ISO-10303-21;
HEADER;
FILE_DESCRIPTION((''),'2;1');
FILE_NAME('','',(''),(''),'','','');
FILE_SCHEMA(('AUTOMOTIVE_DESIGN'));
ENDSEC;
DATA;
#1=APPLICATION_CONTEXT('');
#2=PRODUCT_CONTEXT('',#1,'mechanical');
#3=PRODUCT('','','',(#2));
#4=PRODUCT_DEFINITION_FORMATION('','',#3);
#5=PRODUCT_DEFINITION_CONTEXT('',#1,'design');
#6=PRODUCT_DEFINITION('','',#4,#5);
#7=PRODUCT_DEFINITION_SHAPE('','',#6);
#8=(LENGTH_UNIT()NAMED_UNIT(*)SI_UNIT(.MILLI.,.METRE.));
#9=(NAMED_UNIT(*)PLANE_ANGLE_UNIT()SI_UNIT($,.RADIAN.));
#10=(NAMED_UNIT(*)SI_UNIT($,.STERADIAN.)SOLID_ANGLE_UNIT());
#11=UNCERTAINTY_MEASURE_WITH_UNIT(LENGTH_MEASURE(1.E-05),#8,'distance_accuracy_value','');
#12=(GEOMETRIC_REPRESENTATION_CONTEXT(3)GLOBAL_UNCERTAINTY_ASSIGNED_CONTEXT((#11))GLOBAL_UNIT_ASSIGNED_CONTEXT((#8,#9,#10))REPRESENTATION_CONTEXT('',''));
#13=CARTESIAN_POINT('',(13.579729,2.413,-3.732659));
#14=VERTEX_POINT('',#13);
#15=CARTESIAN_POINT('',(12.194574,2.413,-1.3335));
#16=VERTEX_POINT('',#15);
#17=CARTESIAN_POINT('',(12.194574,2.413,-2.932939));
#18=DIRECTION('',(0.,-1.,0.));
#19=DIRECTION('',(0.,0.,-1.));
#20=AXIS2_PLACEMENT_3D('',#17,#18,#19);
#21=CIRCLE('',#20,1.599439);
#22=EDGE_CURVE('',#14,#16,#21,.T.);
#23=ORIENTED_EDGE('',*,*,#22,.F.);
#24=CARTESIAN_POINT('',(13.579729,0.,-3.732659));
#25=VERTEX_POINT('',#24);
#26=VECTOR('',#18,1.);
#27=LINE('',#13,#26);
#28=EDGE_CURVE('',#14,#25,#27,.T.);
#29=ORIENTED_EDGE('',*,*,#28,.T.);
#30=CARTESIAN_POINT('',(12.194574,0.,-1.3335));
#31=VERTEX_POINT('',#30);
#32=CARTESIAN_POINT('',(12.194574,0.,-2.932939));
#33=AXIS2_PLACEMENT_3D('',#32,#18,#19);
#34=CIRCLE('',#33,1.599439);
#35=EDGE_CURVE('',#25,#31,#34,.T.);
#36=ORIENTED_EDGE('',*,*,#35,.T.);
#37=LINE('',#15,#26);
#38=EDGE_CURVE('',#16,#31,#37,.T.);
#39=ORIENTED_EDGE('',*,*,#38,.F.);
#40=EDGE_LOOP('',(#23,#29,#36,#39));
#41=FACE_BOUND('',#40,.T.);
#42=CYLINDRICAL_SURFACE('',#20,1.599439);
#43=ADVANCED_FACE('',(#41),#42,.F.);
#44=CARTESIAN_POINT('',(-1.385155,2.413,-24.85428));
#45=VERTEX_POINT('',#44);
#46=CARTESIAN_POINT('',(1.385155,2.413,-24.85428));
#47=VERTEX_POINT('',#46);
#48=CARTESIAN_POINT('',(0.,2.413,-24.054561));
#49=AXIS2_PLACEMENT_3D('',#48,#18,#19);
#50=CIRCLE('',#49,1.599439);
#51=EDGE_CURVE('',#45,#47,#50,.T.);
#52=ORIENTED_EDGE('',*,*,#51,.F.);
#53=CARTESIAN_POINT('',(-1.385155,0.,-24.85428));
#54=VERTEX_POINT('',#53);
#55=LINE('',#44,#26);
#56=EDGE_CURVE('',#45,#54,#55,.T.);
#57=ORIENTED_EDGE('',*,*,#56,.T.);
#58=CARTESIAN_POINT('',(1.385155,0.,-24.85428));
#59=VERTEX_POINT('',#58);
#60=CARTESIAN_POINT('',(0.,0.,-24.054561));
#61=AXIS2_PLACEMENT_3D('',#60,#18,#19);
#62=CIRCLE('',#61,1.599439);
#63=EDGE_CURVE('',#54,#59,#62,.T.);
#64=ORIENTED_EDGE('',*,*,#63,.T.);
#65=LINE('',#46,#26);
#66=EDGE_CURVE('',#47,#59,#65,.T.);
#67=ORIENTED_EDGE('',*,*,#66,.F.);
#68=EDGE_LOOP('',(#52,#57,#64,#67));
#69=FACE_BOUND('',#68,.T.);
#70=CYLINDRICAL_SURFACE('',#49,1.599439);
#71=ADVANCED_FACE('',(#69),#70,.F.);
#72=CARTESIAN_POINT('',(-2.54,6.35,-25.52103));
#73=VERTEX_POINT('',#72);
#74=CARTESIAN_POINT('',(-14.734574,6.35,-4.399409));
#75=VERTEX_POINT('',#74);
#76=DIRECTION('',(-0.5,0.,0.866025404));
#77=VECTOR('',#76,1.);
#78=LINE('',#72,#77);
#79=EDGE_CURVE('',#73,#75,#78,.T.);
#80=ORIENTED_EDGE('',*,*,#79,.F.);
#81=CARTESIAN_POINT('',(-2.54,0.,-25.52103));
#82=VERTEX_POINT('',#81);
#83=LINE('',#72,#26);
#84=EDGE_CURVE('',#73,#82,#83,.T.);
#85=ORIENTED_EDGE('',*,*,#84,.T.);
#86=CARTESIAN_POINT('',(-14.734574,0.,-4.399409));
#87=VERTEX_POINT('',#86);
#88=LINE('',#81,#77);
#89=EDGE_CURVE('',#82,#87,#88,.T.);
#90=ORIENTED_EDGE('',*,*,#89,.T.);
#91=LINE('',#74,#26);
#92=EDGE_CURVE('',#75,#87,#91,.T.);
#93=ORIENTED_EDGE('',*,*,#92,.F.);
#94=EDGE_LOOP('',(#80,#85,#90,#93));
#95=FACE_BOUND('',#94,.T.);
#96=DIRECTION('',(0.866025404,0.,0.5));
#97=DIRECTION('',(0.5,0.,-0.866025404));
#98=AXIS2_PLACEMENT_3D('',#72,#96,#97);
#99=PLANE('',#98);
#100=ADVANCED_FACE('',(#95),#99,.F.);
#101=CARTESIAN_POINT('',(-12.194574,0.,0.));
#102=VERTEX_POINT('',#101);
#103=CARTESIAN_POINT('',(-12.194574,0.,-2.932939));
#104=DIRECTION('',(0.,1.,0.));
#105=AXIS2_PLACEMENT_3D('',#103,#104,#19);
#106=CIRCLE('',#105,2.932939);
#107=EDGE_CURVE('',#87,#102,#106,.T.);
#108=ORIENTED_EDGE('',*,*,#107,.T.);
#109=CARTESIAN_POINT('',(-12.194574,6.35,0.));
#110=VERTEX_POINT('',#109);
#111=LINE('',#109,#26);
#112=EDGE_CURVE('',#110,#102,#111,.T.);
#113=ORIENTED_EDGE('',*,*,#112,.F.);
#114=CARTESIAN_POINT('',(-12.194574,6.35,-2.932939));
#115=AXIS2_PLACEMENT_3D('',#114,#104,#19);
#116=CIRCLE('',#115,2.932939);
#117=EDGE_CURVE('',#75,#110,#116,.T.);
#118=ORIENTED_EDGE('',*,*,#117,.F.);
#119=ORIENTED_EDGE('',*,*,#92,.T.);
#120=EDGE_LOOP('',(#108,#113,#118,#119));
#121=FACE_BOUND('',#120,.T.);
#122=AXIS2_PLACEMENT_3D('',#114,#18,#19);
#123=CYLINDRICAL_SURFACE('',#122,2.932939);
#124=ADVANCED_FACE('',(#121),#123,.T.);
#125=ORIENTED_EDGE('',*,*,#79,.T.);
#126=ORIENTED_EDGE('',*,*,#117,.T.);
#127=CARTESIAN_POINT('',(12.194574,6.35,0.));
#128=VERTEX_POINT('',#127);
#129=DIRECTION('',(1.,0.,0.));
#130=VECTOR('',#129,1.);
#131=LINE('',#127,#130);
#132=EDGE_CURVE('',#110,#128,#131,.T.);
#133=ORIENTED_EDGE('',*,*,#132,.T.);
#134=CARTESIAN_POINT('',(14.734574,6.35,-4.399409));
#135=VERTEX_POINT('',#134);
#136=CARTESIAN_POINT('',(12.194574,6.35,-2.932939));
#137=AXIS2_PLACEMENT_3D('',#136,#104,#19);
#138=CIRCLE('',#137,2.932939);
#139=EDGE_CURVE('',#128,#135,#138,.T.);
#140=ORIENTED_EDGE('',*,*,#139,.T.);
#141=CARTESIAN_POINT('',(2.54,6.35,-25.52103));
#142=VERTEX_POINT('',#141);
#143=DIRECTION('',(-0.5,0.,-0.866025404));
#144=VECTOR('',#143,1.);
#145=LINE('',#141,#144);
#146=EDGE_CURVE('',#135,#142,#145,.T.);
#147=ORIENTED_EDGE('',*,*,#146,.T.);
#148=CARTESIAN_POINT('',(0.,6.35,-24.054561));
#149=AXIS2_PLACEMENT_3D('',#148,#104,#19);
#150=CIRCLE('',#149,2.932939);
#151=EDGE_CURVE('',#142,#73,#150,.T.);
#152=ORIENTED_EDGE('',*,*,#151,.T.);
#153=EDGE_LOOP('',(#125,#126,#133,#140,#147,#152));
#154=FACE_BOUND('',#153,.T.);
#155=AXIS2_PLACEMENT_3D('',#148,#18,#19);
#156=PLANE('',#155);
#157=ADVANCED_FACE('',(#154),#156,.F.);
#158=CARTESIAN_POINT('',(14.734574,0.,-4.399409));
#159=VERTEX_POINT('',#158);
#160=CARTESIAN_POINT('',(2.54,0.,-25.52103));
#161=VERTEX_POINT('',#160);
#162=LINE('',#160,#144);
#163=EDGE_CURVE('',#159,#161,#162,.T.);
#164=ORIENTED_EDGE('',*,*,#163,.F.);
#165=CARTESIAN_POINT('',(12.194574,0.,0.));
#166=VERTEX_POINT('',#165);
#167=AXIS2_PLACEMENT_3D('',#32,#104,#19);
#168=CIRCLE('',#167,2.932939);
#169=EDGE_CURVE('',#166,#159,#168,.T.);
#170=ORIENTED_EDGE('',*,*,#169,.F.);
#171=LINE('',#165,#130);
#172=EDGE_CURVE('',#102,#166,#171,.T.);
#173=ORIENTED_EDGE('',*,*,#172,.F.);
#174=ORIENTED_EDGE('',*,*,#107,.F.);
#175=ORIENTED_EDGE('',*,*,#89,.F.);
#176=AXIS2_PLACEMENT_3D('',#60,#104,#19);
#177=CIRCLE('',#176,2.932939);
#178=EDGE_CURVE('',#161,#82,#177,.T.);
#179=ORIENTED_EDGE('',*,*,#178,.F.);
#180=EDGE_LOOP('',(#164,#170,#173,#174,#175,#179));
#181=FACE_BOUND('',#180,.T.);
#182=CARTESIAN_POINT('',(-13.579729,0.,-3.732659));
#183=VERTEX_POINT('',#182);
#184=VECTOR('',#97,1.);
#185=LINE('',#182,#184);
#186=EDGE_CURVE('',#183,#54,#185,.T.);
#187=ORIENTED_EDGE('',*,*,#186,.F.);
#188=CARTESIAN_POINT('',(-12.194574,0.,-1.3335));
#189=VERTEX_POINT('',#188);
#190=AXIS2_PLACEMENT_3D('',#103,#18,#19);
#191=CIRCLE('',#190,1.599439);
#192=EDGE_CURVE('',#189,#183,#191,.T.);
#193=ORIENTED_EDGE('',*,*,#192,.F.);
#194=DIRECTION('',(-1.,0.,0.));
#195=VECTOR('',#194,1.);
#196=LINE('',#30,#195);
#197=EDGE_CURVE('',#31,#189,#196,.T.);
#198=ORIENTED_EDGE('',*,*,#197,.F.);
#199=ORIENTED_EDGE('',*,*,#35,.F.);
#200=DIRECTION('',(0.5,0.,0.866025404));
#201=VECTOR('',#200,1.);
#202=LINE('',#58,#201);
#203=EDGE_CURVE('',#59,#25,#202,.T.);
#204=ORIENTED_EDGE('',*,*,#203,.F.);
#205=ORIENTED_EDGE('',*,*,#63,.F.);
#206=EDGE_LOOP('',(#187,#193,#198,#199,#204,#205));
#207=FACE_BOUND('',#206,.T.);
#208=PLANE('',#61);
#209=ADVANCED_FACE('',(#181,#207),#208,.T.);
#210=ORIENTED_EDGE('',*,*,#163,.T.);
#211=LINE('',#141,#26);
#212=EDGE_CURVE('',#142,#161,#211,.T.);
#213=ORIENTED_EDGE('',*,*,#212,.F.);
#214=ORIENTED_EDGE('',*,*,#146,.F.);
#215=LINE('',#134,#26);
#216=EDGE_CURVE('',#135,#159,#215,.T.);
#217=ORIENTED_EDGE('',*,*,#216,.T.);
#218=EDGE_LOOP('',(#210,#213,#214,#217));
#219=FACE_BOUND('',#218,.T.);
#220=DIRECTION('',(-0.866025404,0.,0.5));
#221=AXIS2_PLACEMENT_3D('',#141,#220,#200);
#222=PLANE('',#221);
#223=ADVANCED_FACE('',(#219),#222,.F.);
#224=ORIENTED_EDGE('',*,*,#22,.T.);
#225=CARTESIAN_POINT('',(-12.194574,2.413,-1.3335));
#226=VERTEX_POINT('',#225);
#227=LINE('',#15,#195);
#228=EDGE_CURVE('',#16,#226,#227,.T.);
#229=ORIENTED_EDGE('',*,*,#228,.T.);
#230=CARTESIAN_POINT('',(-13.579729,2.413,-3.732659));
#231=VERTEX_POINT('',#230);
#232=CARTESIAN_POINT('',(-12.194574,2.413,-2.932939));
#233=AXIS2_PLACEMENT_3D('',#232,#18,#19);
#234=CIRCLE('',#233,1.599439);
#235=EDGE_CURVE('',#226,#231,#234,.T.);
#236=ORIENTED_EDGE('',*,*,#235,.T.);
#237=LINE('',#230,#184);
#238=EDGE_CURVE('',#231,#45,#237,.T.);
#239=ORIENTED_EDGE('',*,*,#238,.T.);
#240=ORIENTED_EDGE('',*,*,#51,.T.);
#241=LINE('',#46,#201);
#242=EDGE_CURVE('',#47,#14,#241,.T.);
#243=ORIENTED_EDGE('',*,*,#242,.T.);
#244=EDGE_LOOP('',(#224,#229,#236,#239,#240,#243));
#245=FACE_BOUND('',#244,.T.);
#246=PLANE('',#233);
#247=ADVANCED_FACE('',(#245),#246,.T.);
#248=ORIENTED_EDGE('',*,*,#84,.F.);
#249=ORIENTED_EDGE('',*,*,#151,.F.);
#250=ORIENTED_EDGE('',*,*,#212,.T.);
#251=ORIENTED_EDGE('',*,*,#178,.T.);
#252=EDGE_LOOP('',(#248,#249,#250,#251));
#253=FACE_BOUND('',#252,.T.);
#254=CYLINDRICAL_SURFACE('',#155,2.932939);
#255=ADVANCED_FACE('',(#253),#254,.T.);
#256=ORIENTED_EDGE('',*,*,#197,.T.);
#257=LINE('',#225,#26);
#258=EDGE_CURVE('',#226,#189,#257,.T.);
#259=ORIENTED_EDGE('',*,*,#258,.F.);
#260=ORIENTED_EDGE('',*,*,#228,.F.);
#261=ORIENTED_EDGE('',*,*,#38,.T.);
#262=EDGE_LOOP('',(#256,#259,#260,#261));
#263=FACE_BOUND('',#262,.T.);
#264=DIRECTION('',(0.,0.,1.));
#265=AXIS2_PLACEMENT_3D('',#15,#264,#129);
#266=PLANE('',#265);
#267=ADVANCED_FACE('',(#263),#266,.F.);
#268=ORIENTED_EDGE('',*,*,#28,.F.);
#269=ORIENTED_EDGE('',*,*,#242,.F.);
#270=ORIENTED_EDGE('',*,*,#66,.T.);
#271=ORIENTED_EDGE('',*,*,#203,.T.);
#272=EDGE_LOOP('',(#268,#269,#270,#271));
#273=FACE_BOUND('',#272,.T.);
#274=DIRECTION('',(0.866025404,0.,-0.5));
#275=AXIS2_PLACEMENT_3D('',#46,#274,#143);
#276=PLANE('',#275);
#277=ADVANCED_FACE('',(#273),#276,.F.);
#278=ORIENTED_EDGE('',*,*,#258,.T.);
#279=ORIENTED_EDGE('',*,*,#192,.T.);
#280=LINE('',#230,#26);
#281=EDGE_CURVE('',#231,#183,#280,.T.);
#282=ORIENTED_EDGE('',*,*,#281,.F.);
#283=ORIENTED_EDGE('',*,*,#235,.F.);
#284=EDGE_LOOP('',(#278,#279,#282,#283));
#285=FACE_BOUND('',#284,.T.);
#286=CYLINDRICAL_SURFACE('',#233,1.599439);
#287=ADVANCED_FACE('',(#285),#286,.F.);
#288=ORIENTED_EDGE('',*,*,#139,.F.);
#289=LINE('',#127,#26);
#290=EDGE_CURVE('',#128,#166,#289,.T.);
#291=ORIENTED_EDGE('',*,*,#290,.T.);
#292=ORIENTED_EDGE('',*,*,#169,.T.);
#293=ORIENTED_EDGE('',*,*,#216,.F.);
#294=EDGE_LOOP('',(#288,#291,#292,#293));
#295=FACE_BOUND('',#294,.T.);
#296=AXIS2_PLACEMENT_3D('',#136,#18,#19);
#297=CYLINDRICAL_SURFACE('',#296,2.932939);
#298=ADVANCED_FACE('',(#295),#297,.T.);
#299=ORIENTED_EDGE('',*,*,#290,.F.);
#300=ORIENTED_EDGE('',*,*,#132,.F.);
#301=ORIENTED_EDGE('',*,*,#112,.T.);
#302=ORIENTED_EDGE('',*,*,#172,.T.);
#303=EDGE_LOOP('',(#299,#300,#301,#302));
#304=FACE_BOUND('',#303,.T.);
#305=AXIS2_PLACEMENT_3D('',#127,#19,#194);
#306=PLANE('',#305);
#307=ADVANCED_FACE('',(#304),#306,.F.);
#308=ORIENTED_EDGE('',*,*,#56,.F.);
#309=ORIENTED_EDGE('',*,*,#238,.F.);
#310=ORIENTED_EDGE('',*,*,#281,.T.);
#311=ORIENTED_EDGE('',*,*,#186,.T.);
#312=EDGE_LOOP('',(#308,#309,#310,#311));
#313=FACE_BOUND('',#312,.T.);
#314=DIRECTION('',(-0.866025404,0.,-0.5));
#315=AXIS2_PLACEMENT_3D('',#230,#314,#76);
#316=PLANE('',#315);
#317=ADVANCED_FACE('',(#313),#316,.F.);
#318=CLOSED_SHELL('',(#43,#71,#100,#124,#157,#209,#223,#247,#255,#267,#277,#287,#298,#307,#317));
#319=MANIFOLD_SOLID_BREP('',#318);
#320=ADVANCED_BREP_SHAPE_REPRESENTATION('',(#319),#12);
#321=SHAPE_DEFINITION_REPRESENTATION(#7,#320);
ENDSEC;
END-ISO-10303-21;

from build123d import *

# Parameters (mm, degrees)
BOSS_EXTRUDE1_DEPTH = 6.35
CUT_EXTRUDE1_DEPTH  = 2.413


with BuildPart() as part:
    # Sketch1 → Boss-Extrude1 (new body)
    with BuildSketch(Plane(origin=(0, 0, 0), x_dir=(1, 0, 0), z_dir=(0, 1, 0))):
        with BuildLine():
            Line((2.54, 25.521030316), (14.734573723, 4.399409051))
            ThreePointArc((14.734573723, 4.399409051), (14.734573723, 1.466469684), (12.194573723, 0))
            Line((12.194573723, 0), (-12.194573723, 0))
            ThreePointArc((-12.194573723, 0), (-14.734573723, 1.466469684), (-14.734573723, 4.399409051))
            Line((-14.734573723, 4.399409051), (-2.54, 25.521030316))
            ThreePointArc((-2.54, 25.521030316), (0, 26.9875), (2.54, 25.521030316))
        make_face()
    extrude(amount=BOSS_EXTRUDE1_DEPTH)

    # Sketch2 → Cut-Extrude1 (cut)
    with BuildSketch(Plane.XZ):
        with BuildLine():
            Line((-13.579728847, -3.732659051), (-1.385155124, -24.854280316))
            ThreePointArc((-1.385155124, -24.854280316), (0, -25.654), (1.385155124, -24.854280316))
            Line((1.385155124, -24.854280316), (13.579728847, -3.732659051))
            ThreePointArc((13.579728847, -3.732659051), (13.579728847, -2.133219684), (12.194573723, -1.3335))
            Line((12.194573723, -1.3335), (-12.194573723, -1.3335))
            ThreePointArc((-12.194573723, -1.3335), (-13.579728847, -2.133219684), (-13.579728847, -3.732659051))
        make_face()
    extrude(amount=-CUT_EXTRUDE1_DEPTH, mode=Mode.SUBTRACT)


solid = part.part
